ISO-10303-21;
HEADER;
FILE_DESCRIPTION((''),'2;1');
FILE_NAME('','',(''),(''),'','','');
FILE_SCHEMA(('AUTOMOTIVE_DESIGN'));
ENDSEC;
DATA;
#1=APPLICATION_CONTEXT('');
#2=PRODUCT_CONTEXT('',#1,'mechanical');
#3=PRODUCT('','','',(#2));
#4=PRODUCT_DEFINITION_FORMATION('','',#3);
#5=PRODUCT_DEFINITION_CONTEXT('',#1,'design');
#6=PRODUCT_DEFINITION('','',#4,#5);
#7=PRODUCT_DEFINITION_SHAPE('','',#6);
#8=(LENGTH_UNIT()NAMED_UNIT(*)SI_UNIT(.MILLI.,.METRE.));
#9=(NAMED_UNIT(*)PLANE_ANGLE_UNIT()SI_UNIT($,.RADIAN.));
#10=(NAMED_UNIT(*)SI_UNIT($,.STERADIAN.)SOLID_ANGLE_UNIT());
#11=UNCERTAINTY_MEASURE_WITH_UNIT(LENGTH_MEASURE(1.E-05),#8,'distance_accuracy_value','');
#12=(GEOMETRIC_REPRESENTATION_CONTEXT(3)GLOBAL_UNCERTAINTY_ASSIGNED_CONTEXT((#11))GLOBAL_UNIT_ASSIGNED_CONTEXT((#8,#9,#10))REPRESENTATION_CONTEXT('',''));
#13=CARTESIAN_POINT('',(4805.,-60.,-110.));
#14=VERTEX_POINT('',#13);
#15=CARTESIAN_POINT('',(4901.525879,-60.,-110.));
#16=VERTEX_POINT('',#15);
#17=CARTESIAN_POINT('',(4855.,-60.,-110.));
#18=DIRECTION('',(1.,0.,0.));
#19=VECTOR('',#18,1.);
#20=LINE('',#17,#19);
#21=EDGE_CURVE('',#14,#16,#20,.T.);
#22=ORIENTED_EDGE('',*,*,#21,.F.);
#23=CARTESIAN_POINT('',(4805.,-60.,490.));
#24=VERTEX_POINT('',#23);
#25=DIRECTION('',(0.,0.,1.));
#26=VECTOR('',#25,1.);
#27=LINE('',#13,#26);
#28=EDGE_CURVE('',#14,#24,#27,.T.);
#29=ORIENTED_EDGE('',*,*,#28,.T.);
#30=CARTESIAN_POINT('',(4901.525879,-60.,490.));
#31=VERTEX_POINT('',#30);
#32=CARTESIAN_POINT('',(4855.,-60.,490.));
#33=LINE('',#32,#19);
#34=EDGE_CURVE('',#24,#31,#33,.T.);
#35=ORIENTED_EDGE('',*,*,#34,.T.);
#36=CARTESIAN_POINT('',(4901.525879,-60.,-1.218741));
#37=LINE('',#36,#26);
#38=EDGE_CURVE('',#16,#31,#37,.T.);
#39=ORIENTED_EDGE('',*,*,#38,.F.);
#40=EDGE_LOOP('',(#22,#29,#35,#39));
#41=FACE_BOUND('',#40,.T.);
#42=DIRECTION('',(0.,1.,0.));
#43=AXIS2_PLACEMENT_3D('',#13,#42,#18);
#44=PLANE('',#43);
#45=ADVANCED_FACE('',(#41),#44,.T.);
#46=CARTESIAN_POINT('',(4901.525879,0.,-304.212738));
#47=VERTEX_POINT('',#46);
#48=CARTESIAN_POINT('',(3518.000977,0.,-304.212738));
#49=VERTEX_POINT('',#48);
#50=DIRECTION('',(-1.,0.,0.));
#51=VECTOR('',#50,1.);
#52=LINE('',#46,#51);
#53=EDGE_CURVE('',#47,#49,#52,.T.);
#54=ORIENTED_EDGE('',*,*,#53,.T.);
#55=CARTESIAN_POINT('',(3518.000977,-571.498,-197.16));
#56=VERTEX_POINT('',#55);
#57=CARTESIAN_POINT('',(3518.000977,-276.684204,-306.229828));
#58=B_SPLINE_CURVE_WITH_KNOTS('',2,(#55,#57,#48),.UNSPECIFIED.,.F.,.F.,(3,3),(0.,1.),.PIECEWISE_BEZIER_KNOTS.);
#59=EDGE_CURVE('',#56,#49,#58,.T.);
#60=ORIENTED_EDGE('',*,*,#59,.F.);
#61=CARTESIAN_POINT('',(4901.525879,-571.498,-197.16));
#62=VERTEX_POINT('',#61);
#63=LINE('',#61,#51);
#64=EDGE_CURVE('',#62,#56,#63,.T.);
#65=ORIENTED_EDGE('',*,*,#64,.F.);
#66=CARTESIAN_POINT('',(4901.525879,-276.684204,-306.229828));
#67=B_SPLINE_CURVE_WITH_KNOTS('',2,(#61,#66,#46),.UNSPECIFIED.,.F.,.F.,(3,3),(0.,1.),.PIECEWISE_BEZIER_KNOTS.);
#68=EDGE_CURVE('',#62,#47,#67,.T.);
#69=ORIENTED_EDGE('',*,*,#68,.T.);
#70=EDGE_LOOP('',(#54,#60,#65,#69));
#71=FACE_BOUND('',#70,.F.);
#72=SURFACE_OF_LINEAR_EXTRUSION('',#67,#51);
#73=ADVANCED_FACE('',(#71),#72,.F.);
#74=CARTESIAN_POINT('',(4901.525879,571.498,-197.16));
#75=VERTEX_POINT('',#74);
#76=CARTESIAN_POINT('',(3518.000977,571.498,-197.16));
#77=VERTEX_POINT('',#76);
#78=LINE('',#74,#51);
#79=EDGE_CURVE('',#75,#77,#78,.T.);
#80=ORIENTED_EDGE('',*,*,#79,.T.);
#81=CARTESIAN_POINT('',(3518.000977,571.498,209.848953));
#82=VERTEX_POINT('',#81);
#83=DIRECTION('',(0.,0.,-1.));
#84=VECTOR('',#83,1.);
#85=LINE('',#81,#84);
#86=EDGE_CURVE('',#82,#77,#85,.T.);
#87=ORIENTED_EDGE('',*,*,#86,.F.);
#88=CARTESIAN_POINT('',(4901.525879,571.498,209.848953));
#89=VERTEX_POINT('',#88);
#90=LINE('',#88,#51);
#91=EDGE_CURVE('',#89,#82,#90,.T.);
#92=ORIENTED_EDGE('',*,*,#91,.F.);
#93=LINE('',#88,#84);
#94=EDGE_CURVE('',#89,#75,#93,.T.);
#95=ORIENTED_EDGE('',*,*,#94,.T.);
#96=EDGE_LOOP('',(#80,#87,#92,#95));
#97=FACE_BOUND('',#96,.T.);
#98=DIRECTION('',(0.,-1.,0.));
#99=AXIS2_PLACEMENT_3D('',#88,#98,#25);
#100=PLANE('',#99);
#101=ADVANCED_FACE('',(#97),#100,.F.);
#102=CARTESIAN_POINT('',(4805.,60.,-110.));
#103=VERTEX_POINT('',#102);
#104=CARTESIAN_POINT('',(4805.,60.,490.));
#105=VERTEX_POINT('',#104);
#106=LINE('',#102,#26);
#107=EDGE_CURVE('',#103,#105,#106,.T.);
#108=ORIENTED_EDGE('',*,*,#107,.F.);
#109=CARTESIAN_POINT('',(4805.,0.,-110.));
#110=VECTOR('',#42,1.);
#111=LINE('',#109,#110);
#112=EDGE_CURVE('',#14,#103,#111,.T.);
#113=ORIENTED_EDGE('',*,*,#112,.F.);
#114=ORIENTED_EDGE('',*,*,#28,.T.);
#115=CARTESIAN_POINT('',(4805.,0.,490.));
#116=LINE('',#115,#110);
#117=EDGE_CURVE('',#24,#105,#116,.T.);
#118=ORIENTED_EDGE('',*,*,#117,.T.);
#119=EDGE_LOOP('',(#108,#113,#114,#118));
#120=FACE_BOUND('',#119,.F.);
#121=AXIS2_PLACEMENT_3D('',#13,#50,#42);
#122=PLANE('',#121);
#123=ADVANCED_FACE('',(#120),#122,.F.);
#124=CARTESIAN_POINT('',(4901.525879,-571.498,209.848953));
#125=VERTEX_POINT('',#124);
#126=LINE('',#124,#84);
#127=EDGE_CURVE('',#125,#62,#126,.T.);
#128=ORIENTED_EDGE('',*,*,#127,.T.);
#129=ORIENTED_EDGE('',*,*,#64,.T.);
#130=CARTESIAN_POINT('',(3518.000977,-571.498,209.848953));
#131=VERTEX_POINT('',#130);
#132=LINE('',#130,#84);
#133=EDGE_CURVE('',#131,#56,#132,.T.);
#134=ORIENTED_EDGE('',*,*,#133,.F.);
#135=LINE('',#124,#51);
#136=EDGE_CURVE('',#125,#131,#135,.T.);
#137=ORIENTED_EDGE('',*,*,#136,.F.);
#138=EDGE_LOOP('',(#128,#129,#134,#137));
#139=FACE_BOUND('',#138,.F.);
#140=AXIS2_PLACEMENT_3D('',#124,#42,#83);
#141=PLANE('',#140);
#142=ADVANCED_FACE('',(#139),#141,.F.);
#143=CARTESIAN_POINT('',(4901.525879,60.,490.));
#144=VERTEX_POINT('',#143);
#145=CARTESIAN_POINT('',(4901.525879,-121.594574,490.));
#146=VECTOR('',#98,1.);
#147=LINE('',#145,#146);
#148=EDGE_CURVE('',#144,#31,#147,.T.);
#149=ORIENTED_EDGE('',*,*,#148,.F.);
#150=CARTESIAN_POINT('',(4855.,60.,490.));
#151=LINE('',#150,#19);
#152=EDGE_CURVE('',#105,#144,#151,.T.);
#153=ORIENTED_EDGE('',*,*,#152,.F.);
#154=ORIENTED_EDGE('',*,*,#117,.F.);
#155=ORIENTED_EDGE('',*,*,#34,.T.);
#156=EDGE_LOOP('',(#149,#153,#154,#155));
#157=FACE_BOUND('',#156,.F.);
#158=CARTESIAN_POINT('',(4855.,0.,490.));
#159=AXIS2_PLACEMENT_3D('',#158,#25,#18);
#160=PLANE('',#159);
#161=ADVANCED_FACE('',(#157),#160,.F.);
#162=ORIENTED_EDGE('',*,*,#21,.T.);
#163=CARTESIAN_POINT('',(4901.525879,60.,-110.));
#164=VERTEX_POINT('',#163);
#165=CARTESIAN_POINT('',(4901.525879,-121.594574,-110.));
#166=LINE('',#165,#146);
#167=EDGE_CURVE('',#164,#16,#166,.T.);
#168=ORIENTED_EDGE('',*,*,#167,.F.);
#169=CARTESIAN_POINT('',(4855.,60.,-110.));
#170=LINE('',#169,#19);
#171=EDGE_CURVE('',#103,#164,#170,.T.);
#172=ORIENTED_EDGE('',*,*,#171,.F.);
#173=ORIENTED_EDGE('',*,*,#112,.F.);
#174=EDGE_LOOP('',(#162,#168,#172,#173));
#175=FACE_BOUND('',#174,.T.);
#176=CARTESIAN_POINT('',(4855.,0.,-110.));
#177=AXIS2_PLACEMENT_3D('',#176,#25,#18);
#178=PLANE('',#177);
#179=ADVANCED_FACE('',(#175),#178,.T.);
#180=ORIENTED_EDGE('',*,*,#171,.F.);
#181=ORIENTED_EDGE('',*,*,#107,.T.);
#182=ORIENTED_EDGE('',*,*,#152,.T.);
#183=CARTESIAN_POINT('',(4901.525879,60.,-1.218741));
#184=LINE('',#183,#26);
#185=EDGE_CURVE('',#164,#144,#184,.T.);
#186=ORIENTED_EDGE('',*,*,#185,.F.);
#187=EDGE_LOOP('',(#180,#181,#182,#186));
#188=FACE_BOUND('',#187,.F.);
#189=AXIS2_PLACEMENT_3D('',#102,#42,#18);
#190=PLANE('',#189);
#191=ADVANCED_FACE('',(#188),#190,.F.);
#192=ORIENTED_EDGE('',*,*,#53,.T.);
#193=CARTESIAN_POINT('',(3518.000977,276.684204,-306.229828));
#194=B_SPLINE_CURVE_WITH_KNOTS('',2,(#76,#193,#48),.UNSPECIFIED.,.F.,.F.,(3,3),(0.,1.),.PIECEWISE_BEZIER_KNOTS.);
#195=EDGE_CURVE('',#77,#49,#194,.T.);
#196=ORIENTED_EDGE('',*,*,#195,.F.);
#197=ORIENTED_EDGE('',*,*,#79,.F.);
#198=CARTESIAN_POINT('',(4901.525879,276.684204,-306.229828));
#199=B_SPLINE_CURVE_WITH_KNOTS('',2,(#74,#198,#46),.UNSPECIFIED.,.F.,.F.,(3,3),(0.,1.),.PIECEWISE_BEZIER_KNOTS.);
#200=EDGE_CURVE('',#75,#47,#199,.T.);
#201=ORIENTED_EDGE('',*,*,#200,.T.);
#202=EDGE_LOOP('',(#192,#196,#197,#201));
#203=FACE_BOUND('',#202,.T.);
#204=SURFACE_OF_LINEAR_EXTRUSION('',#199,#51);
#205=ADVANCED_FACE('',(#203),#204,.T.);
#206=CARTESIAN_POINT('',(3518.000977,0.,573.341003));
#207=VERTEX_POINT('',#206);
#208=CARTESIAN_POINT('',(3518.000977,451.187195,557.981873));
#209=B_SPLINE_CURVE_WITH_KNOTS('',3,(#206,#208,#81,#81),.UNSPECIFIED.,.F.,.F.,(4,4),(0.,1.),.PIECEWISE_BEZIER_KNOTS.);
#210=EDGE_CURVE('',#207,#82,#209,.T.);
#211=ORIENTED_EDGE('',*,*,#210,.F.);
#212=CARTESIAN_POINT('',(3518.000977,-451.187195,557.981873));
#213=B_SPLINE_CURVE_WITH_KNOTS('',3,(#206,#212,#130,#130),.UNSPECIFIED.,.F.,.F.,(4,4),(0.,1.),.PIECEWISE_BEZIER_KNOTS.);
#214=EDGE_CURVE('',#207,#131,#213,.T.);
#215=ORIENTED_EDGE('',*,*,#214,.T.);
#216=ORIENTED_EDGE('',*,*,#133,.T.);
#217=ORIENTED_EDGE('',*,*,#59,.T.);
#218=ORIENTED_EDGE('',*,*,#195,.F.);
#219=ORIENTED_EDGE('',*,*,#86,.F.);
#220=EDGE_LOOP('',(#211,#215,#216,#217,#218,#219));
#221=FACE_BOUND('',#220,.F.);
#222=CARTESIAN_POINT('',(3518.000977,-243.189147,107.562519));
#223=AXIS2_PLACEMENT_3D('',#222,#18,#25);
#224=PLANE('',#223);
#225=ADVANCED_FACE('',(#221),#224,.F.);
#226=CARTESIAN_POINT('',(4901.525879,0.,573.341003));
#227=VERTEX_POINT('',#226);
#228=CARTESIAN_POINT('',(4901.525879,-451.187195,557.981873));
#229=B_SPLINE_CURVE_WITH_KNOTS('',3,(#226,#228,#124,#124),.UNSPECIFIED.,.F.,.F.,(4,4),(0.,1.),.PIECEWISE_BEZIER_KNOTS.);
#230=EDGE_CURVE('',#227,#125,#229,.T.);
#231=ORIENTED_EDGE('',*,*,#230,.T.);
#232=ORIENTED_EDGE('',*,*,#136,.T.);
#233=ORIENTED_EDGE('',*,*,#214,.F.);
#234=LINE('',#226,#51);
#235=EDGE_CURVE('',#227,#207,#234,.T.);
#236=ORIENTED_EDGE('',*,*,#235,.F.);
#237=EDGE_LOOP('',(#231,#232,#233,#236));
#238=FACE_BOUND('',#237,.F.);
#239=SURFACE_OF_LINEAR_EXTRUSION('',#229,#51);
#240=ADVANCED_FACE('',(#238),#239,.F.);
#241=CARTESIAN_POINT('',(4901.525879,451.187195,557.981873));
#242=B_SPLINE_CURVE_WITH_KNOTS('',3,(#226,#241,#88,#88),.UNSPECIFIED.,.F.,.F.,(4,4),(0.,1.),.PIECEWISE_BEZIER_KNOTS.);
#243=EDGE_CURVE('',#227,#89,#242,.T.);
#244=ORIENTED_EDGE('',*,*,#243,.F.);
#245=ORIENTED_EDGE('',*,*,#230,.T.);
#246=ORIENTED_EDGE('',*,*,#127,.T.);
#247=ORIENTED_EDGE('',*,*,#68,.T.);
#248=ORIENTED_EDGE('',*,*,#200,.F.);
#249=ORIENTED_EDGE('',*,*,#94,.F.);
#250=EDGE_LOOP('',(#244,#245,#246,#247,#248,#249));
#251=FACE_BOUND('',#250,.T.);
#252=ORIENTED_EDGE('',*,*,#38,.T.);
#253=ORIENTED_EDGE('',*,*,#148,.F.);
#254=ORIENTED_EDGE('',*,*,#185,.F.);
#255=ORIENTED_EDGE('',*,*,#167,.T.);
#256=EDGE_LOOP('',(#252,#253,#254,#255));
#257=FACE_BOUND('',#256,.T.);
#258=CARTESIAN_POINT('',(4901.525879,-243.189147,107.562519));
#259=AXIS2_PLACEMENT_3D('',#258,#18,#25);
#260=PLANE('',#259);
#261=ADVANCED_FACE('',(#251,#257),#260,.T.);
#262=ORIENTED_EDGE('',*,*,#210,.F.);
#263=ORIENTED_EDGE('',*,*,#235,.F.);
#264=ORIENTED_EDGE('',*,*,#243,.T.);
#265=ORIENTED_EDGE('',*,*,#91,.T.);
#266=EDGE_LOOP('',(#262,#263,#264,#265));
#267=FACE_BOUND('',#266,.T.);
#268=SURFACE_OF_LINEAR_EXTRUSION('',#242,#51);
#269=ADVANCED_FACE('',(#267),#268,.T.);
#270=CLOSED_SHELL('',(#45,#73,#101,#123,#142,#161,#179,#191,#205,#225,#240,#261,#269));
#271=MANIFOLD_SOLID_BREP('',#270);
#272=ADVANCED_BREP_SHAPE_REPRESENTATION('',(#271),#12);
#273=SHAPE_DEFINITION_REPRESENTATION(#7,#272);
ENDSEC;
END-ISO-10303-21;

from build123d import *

# Parameters (mm, degrees)
BOX001_W     = 100
BOX001_H     = 120
BOX001_DEPTH = 600


with BuildPart() as cube001:
    # Box001 → Box001 (new body)
    with BuildSketch(Plane(origin=(4805, -60, -110), x_dir=(1, 0, 0), z_dir=(0, 0, 1))):
        with Locations((50, 60)):
            Rectangle(BOX001_W, BOX001_H)
    extrude(amount=BOX001_DEPTH)


with BuildPart() as sweep002:
    # Sweep002: sweep along a path in Sketch005
    with BuildLine(Plane.XZ) as sweep002_path:
        Line((4901.525879, 0.31053), (3518.000977, 0.31053))
    # Sketch004 → Sweep002 (sweep)
    with BuildSketch(Plane.YZ.offset(4700)):
        with BuildLine():
            add(Edge.make_bspline(
                [(0, 573.341003), (-451.187195, 557.981873), (-571.498, 209.848953), (-571.498, 209.848953)],
                knots=[0, 0, 0, 0, 1, 1, 1, 1], degree=3))
            Line((-571.498, 209.848953), (-571.498, -197.16))
            add(Edge.make_bspline(
                [(-571.498, -197.16), (-276.684204, -306.229828), (0, -304.212738)],
                knots=[0, 0, 0, 1, 1, 1], degree=2))
            Line((0, -304.212738), (0, 573.341003))
        make_face()
    sweep(path=sweep002_path.line)


with BuildPart() as cut001:
    # Part__Mirroring004: instance of Sweep002
    add(sweep002.part.mirror(Plane(origin=(0, 0, 0), x_dir=(1, 0, 0), z_dir=(0, 1, 0))))

    # Fusion: union Sweep002
    add(sweep002.part)

    # Cut001: cut Cube001
    add(cube001.part, mode=Mode.SUBTRACT)


solid = cut001.part
